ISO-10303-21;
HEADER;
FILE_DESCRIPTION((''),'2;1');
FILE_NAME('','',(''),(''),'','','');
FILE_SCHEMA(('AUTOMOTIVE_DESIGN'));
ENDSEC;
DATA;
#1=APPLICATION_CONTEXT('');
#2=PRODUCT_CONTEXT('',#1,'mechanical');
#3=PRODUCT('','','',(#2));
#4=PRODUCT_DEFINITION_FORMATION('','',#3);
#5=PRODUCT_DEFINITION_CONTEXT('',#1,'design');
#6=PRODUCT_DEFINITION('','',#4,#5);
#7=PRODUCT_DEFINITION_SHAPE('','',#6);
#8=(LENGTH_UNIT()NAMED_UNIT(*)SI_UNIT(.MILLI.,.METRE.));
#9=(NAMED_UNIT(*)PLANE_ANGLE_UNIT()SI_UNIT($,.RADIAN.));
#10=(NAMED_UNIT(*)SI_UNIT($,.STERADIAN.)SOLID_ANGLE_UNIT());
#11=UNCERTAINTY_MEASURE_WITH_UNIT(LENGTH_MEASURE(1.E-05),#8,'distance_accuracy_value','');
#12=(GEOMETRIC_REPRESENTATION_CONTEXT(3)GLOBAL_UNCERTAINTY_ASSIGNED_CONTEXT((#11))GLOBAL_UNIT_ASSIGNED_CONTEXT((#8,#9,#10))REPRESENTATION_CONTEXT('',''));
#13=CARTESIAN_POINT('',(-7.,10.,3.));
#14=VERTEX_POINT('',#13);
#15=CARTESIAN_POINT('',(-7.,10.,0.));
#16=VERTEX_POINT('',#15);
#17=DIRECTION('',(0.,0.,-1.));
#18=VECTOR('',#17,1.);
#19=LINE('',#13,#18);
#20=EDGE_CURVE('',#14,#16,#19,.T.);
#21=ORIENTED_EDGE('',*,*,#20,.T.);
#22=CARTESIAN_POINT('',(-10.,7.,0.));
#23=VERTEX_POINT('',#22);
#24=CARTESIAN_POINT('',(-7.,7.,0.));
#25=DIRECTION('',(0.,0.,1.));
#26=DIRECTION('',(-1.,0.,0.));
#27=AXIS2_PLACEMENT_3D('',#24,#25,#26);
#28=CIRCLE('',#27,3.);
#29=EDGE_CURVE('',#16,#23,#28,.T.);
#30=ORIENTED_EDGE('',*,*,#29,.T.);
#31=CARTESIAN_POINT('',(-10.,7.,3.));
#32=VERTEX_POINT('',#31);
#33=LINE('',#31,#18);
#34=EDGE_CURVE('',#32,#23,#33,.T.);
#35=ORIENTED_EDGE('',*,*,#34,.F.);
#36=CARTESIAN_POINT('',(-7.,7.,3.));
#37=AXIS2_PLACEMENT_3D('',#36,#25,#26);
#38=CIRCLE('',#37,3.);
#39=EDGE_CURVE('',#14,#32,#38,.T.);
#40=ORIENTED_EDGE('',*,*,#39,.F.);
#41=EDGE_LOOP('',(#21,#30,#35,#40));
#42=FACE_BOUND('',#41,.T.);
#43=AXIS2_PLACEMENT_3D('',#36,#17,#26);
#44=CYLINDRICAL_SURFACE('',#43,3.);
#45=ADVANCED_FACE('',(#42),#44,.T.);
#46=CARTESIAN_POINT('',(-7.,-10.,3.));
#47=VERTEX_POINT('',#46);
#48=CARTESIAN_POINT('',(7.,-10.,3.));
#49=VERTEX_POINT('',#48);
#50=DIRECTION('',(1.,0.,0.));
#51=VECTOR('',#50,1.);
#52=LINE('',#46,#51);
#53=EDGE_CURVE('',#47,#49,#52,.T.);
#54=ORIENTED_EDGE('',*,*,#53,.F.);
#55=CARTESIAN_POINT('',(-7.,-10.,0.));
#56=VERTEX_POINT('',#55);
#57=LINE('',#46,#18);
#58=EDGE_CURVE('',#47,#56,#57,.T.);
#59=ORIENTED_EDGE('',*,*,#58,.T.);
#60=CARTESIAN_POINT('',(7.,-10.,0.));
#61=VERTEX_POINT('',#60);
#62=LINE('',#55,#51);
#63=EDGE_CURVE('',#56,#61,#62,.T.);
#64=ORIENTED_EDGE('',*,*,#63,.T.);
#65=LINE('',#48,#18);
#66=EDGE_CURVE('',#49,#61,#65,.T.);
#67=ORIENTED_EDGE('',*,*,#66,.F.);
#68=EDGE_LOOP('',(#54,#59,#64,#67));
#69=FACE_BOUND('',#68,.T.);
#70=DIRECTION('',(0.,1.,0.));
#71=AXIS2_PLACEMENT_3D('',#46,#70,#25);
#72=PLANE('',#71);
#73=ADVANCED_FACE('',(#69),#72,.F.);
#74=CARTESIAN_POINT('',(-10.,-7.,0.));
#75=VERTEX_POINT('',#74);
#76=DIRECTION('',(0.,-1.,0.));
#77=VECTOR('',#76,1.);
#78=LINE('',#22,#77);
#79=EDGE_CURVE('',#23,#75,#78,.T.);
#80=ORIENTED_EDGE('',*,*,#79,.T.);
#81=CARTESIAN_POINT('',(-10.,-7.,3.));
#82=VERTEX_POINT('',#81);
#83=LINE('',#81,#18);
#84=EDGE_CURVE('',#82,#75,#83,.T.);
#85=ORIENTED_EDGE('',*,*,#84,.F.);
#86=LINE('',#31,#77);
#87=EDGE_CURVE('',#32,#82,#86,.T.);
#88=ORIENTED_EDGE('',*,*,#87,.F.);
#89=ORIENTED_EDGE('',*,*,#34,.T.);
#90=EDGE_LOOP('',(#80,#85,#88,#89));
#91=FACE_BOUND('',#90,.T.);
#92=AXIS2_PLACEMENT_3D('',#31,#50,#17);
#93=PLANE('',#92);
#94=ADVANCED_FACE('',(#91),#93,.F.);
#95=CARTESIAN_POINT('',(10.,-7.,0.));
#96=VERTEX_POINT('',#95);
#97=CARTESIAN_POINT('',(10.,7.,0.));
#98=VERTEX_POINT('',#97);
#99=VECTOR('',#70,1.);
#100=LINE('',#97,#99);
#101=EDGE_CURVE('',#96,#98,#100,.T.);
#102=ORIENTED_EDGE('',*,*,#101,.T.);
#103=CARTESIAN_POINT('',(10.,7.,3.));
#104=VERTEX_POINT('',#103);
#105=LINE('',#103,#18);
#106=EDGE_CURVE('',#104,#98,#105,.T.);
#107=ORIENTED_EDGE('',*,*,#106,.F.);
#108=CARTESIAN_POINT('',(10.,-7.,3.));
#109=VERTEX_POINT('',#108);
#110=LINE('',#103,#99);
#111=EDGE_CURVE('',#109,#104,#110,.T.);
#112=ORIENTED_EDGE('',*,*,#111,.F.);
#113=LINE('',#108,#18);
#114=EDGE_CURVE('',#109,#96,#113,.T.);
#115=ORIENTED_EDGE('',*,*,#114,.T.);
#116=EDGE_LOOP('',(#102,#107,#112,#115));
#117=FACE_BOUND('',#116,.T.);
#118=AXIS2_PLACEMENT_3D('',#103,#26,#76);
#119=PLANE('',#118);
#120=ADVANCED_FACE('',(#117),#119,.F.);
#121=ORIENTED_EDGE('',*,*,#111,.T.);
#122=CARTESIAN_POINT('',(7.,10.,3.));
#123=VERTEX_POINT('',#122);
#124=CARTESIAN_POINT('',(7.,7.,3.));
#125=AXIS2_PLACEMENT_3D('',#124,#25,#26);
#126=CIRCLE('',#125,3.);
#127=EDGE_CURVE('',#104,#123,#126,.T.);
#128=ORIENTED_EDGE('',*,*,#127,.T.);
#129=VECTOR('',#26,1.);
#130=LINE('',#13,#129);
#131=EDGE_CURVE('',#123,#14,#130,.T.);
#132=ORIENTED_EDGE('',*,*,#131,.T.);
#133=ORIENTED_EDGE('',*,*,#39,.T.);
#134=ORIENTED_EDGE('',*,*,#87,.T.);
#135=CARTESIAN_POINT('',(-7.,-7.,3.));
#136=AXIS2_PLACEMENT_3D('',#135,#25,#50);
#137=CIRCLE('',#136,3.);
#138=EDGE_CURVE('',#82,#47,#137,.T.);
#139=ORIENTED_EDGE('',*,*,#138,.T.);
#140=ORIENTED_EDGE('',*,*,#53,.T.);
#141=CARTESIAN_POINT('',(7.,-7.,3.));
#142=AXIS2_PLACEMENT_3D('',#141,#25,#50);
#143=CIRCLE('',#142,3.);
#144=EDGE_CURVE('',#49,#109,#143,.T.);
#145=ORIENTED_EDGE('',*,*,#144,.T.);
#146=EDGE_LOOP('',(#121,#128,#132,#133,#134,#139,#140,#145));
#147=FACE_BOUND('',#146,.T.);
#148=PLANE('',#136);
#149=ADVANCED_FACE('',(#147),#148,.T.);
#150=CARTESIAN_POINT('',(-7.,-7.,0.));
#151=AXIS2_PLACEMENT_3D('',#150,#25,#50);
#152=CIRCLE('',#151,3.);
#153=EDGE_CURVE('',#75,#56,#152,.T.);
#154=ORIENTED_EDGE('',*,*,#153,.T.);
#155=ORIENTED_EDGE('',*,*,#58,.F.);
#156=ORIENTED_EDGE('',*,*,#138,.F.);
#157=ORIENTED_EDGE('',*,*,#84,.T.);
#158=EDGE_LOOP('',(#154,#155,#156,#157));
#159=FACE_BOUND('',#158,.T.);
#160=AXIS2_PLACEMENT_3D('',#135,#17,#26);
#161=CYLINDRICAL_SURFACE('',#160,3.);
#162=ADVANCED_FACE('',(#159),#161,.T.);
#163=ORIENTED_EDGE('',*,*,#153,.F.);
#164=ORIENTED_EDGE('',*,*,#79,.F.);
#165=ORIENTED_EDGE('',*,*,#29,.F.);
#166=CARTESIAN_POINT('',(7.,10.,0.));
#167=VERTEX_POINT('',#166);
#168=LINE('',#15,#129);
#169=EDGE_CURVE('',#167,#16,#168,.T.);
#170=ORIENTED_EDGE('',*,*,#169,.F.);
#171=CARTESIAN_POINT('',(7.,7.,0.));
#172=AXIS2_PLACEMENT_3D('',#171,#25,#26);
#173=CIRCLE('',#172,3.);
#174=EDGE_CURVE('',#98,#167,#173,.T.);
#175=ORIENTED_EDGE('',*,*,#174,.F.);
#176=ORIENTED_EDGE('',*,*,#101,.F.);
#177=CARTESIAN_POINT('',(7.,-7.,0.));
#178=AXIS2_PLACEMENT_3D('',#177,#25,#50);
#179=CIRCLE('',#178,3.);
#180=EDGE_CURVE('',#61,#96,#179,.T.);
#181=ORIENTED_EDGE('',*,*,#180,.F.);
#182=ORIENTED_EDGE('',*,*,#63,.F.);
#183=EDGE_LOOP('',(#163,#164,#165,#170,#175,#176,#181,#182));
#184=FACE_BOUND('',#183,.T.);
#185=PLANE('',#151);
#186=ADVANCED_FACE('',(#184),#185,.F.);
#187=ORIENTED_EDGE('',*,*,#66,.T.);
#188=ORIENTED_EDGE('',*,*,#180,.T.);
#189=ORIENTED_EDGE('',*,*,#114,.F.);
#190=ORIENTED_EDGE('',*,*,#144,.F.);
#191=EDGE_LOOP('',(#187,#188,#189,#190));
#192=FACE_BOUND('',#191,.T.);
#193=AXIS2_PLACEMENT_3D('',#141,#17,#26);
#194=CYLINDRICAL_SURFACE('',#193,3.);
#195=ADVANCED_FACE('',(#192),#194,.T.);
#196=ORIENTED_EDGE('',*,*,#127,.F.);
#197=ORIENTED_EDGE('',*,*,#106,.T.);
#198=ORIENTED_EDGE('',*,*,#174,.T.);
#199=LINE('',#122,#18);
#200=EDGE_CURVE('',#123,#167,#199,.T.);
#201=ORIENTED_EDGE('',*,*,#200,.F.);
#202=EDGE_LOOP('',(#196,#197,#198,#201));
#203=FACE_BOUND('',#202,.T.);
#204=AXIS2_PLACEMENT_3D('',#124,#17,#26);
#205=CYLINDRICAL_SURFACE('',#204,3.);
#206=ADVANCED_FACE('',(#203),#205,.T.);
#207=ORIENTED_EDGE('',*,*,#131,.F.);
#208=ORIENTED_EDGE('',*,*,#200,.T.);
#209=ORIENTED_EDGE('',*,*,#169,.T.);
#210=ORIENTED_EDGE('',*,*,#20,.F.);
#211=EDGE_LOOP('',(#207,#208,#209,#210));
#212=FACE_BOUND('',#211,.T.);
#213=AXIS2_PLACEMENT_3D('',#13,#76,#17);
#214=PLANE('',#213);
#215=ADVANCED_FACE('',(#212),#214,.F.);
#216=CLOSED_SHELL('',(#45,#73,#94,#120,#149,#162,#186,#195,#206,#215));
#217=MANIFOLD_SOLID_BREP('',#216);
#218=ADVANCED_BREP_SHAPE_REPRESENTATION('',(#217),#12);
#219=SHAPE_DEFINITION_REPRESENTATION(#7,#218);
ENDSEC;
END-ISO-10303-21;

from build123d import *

# Parameters (mm, degrees)
EXTRUDE_1_DEPTH = 3


with BuildPart() as part:
    # 草图1 → 凸台-拉伸1 (new body)
    with BuildSketch(Plane.XY):
        with BuildLine():
            Line((-7, 10), (7, 10))
            ThreePointArc((7, 10), (9.121320344, 9.121320344), (10, 7))
            Line((10, 7), (10, -7))
            ThreePointArc((10, -7), (9.121320344, -9.121320344), (7, -10))
            Line((7, -10), (-7, -10))
            ThreePointArc((-7, -10), (-9.121320344, -9.121320344), (-10, -7))
            Line((-10, -7), (-10, 7))
            ThreePointArc((-10, 7), (-9.121320344, 9.121320344), (-7, 10))
        make_face()
    extrude(amount=EXTRUDE_1_DEPTH)


solid = part.part
